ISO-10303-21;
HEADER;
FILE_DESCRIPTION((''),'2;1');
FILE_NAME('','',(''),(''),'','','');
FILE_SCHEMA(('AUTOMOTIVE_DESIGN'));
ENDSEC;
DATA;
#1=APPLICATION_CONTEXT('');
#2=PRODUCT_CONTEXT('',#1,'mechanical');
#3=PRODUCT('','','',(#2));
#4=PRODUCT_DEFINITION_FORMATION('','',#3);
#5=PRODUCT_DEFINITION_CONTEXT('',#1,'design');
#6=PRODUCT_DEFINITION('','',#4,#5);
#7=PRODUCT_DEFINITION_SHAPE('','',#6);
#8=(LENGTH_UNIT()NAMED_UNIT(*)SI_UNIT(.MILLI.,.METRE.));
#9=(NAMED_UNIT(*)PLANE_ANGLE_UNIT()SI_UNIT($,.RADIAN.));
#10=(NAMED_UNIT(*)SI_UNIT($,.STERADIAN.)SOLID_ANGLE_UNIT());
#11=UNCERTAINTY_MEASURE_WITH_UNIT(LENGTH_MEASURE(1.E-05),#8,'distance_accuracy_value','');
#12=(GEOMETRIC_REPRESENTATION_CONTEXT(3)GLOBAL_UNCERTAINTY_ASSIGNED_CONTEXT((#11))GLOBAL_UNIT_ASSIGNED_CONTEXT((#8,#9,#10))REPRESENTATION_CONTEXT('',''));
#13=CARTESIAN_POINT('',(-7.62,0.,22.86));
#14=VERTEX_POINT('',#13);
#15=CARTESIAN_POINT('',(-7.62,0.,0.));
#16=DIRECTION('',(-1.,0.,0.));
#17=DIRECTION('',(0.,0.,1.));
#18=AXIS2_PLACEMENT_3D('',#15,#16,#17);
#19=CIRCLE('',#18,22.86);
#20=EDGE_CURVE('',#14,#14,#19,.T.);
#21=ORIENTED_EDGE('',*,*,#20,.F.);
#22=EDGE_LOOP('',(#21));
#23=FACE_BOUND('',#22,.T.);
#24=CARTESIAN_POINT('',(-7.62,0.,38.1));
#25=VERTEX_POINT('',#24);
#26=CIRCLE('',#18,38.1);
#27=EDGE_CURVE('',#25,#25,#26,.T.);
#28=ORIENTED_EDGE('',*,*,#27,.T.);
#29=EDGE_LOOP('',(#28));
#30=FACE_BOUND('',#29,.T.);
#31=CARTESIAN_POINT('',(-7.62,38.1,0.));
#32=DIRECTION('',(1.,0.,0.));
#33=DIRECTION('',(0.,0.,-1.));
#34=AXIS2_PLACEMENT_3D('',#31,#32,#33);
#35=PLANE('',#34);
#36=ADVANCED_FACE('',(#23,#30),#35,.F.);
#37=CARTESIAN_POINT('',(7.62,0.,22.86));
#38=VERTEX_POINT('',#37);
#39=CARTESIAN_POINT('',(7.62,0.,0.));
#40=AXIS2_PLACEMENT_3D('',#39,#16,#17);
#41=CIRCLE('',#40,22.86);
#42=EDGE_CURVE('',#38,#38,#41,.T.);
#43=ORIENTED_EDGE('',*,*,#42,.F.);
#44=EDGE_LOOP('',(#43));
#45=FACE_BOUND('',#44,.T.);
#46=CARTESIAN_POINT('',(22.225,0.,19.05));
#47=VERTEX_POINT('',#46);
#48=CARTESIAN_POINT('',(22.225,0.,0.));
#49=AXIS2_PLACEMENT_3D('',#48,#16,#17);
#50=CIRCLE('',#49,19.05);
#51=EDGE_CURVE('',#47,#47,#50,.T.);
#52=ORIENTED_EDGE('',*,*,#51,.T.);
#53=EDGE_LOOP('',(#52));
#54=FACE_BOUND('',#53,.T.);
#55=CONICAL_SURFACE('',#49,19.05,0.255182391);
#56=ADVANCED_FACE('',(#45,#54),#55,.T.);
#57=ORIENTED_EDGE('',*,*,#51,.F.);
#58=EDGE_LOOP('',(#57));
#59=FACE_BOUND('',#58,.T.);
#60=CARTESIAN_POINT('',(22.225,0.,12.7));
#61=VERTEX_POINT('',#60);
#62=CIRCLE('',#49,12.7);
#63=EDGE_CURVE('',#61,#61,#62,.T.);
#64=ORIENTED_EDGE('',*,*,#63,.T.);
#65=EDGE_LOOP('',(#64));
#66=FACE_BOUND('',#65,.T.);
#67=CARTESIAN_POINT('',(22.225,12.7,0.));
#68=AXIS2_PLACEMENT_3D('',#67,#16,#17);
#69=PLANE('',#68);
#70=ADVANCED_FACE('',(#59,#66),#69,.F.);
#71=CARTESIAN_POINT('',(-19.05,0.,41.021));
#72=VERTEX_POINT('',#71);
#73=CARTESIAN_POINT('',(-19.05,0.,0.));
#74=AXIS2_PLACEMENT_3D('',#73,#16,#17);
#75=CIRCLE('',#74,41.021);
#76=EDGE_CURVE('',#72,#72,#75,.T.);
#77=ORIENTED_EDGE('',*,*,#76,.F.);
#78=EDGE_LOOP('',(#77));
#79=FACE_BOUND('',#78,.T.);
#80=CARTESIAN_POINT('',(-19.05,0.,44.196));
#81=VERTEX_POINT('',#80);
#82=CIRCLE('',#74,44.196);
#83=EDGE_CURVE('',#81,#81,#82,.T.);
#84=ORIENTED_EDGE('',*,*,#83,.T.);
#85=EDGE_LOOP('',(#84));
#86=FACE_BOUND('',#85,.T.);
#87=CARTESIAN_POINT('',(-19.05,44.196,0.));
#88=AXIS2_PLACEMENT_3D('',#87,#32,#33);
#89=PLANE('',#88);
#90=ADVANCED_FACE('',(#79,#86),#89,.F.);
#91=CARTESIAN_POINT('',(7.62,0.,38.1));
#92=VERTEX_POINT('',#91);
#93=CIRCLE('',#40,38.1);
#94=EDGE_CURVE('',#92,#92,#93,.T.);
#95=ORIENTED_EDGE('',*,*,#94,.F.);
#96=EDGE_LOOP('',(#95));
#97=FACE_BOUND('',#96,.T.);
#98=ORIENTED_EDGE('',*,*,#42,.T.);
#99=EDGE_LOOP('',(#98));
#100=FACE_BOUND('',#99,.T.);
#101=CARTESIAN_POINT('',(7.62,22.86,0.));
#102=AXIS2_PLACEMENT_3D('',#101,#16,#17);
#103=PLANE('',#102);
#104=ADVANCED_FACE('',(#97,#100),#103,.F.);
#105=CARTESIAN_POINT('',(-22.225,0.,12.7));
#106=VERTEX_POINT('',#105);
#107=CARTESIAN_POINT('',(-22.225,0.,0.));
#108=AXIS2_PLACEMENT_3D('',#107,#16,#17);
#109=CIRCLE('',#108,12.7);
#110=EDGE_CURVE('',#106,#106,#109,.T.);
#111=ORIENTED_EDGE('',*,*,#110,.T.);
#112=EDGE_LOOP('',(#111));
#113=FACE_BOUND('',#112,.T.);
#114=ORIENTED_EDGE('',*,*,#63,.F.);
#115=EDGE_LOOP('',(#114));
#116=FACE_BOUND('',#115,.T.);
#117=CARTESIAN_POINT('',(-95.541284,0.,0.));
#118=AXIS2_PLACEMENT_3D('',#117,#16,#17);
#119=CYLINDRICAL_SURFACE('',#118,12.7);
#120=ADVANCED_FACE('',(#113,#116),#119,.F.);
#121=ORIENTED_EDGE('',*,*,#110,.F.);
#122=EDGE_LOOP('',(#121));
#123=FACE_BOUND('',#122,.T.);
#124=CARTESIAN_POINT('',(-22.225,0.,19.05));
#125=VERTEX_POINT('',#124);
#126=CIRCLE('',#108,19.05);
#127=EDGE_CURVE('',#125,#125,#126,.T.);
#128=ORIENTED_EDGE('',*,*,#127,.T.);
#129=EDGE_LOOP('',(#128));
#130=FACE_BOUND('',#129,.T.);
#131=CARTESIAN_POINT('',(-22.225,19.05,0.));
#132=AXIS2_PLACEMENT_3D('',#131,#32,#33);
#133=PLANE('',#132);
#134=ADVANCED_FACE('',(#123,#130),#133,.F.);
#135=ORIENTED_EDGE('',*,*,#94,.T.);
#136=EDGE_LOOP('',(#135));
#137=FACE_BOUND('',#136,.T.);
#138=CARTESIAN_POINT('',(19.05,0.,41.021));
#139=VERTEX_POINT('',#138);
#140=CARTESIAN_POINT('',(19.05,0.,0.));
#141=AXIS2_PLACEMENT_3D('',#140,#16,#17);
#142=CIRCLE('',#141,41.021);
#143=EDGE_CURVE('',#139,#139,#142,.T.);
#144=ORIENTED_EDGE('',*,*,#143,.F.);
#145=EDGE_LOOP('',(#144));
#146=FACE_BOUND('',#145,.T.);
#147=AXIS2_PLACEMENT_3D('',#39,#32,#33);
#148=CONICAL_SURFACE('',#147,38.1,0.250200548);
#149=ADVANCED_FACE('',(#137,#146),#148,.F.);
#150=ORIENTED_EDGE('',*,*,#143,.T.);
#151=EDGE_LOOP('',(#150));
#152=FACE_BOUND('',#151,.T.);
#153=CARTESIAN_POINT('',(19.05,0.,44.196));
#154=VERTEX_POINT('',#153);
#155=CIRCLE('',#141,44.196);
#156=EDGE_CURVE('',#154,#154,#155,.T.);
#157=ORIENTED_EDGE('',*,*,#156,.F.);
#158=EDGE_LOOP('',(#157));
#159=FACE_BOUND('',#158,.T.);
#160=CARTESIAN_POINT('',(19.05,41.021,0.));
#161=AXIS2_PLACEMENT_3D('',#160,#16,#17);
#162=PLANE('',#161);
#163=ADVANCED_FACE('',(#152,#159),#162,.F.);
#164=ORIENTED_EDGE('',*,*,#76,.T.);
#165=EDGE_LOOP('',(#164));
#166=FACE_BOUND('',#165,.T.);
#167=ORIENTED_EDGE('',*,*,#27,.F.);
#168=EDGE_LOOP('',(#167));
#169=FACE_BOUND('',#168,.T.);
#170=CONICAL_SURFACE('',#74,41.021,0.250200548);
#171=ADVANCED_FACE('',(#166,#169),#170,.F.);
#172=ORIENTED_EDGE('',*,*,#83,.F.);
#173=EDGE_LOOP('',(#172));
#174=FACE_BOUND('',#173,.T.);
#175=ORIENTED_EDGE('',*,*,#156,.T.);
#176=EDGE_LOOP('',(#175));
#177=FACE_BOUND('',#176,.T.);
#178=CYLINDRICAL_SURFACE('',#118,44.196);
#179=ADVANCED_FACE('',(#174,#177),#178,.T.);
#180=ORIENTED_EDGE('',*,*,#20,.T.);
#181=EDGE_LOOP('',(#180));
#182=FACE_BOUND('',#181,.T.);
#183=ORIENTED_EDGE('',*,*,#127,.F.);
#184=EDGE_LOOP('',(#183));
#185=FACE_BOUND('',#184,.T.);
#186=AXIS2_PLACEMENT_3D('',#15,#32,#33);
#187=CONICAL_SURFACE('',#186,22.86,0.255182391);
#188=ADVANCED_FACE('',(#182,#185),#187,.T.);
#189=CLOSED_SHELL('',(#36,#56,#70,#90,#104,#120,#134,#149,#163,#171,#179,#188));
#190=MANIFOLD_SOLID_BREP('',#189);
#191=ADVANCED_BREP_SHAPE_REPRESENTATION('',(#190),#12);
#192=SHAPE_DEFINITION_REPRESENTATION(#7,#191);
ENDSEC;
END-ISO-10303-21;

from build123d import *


with BuildPart() as part:
    # Sketch1 → Revolve1 (revolve)
    with BuildSketch(Plane.XY, mode=Mode.PRIVATE) as revolve1_sk:
        Polygon((-22.225, 12.7), (22.225, 12.7), (22.225, 19.05), (7.62, 22.86), (7.62, 38.1), (19.05, 41.021), (19.05, 44.196), (-19.05, 44.196), (-19.05, 41.021), (-7.62, 38.1), (-7.62, 22.86), (-22.225, 19.05), align=None)
    revolve(revolve1_sk.sketch.rotate(Axis((-95.541284404, 0, 0), (1, 0, 0)), 90), axis=Axis((-95.541284404, 0, 0), (1, 0, 0)))


solid = part.part
